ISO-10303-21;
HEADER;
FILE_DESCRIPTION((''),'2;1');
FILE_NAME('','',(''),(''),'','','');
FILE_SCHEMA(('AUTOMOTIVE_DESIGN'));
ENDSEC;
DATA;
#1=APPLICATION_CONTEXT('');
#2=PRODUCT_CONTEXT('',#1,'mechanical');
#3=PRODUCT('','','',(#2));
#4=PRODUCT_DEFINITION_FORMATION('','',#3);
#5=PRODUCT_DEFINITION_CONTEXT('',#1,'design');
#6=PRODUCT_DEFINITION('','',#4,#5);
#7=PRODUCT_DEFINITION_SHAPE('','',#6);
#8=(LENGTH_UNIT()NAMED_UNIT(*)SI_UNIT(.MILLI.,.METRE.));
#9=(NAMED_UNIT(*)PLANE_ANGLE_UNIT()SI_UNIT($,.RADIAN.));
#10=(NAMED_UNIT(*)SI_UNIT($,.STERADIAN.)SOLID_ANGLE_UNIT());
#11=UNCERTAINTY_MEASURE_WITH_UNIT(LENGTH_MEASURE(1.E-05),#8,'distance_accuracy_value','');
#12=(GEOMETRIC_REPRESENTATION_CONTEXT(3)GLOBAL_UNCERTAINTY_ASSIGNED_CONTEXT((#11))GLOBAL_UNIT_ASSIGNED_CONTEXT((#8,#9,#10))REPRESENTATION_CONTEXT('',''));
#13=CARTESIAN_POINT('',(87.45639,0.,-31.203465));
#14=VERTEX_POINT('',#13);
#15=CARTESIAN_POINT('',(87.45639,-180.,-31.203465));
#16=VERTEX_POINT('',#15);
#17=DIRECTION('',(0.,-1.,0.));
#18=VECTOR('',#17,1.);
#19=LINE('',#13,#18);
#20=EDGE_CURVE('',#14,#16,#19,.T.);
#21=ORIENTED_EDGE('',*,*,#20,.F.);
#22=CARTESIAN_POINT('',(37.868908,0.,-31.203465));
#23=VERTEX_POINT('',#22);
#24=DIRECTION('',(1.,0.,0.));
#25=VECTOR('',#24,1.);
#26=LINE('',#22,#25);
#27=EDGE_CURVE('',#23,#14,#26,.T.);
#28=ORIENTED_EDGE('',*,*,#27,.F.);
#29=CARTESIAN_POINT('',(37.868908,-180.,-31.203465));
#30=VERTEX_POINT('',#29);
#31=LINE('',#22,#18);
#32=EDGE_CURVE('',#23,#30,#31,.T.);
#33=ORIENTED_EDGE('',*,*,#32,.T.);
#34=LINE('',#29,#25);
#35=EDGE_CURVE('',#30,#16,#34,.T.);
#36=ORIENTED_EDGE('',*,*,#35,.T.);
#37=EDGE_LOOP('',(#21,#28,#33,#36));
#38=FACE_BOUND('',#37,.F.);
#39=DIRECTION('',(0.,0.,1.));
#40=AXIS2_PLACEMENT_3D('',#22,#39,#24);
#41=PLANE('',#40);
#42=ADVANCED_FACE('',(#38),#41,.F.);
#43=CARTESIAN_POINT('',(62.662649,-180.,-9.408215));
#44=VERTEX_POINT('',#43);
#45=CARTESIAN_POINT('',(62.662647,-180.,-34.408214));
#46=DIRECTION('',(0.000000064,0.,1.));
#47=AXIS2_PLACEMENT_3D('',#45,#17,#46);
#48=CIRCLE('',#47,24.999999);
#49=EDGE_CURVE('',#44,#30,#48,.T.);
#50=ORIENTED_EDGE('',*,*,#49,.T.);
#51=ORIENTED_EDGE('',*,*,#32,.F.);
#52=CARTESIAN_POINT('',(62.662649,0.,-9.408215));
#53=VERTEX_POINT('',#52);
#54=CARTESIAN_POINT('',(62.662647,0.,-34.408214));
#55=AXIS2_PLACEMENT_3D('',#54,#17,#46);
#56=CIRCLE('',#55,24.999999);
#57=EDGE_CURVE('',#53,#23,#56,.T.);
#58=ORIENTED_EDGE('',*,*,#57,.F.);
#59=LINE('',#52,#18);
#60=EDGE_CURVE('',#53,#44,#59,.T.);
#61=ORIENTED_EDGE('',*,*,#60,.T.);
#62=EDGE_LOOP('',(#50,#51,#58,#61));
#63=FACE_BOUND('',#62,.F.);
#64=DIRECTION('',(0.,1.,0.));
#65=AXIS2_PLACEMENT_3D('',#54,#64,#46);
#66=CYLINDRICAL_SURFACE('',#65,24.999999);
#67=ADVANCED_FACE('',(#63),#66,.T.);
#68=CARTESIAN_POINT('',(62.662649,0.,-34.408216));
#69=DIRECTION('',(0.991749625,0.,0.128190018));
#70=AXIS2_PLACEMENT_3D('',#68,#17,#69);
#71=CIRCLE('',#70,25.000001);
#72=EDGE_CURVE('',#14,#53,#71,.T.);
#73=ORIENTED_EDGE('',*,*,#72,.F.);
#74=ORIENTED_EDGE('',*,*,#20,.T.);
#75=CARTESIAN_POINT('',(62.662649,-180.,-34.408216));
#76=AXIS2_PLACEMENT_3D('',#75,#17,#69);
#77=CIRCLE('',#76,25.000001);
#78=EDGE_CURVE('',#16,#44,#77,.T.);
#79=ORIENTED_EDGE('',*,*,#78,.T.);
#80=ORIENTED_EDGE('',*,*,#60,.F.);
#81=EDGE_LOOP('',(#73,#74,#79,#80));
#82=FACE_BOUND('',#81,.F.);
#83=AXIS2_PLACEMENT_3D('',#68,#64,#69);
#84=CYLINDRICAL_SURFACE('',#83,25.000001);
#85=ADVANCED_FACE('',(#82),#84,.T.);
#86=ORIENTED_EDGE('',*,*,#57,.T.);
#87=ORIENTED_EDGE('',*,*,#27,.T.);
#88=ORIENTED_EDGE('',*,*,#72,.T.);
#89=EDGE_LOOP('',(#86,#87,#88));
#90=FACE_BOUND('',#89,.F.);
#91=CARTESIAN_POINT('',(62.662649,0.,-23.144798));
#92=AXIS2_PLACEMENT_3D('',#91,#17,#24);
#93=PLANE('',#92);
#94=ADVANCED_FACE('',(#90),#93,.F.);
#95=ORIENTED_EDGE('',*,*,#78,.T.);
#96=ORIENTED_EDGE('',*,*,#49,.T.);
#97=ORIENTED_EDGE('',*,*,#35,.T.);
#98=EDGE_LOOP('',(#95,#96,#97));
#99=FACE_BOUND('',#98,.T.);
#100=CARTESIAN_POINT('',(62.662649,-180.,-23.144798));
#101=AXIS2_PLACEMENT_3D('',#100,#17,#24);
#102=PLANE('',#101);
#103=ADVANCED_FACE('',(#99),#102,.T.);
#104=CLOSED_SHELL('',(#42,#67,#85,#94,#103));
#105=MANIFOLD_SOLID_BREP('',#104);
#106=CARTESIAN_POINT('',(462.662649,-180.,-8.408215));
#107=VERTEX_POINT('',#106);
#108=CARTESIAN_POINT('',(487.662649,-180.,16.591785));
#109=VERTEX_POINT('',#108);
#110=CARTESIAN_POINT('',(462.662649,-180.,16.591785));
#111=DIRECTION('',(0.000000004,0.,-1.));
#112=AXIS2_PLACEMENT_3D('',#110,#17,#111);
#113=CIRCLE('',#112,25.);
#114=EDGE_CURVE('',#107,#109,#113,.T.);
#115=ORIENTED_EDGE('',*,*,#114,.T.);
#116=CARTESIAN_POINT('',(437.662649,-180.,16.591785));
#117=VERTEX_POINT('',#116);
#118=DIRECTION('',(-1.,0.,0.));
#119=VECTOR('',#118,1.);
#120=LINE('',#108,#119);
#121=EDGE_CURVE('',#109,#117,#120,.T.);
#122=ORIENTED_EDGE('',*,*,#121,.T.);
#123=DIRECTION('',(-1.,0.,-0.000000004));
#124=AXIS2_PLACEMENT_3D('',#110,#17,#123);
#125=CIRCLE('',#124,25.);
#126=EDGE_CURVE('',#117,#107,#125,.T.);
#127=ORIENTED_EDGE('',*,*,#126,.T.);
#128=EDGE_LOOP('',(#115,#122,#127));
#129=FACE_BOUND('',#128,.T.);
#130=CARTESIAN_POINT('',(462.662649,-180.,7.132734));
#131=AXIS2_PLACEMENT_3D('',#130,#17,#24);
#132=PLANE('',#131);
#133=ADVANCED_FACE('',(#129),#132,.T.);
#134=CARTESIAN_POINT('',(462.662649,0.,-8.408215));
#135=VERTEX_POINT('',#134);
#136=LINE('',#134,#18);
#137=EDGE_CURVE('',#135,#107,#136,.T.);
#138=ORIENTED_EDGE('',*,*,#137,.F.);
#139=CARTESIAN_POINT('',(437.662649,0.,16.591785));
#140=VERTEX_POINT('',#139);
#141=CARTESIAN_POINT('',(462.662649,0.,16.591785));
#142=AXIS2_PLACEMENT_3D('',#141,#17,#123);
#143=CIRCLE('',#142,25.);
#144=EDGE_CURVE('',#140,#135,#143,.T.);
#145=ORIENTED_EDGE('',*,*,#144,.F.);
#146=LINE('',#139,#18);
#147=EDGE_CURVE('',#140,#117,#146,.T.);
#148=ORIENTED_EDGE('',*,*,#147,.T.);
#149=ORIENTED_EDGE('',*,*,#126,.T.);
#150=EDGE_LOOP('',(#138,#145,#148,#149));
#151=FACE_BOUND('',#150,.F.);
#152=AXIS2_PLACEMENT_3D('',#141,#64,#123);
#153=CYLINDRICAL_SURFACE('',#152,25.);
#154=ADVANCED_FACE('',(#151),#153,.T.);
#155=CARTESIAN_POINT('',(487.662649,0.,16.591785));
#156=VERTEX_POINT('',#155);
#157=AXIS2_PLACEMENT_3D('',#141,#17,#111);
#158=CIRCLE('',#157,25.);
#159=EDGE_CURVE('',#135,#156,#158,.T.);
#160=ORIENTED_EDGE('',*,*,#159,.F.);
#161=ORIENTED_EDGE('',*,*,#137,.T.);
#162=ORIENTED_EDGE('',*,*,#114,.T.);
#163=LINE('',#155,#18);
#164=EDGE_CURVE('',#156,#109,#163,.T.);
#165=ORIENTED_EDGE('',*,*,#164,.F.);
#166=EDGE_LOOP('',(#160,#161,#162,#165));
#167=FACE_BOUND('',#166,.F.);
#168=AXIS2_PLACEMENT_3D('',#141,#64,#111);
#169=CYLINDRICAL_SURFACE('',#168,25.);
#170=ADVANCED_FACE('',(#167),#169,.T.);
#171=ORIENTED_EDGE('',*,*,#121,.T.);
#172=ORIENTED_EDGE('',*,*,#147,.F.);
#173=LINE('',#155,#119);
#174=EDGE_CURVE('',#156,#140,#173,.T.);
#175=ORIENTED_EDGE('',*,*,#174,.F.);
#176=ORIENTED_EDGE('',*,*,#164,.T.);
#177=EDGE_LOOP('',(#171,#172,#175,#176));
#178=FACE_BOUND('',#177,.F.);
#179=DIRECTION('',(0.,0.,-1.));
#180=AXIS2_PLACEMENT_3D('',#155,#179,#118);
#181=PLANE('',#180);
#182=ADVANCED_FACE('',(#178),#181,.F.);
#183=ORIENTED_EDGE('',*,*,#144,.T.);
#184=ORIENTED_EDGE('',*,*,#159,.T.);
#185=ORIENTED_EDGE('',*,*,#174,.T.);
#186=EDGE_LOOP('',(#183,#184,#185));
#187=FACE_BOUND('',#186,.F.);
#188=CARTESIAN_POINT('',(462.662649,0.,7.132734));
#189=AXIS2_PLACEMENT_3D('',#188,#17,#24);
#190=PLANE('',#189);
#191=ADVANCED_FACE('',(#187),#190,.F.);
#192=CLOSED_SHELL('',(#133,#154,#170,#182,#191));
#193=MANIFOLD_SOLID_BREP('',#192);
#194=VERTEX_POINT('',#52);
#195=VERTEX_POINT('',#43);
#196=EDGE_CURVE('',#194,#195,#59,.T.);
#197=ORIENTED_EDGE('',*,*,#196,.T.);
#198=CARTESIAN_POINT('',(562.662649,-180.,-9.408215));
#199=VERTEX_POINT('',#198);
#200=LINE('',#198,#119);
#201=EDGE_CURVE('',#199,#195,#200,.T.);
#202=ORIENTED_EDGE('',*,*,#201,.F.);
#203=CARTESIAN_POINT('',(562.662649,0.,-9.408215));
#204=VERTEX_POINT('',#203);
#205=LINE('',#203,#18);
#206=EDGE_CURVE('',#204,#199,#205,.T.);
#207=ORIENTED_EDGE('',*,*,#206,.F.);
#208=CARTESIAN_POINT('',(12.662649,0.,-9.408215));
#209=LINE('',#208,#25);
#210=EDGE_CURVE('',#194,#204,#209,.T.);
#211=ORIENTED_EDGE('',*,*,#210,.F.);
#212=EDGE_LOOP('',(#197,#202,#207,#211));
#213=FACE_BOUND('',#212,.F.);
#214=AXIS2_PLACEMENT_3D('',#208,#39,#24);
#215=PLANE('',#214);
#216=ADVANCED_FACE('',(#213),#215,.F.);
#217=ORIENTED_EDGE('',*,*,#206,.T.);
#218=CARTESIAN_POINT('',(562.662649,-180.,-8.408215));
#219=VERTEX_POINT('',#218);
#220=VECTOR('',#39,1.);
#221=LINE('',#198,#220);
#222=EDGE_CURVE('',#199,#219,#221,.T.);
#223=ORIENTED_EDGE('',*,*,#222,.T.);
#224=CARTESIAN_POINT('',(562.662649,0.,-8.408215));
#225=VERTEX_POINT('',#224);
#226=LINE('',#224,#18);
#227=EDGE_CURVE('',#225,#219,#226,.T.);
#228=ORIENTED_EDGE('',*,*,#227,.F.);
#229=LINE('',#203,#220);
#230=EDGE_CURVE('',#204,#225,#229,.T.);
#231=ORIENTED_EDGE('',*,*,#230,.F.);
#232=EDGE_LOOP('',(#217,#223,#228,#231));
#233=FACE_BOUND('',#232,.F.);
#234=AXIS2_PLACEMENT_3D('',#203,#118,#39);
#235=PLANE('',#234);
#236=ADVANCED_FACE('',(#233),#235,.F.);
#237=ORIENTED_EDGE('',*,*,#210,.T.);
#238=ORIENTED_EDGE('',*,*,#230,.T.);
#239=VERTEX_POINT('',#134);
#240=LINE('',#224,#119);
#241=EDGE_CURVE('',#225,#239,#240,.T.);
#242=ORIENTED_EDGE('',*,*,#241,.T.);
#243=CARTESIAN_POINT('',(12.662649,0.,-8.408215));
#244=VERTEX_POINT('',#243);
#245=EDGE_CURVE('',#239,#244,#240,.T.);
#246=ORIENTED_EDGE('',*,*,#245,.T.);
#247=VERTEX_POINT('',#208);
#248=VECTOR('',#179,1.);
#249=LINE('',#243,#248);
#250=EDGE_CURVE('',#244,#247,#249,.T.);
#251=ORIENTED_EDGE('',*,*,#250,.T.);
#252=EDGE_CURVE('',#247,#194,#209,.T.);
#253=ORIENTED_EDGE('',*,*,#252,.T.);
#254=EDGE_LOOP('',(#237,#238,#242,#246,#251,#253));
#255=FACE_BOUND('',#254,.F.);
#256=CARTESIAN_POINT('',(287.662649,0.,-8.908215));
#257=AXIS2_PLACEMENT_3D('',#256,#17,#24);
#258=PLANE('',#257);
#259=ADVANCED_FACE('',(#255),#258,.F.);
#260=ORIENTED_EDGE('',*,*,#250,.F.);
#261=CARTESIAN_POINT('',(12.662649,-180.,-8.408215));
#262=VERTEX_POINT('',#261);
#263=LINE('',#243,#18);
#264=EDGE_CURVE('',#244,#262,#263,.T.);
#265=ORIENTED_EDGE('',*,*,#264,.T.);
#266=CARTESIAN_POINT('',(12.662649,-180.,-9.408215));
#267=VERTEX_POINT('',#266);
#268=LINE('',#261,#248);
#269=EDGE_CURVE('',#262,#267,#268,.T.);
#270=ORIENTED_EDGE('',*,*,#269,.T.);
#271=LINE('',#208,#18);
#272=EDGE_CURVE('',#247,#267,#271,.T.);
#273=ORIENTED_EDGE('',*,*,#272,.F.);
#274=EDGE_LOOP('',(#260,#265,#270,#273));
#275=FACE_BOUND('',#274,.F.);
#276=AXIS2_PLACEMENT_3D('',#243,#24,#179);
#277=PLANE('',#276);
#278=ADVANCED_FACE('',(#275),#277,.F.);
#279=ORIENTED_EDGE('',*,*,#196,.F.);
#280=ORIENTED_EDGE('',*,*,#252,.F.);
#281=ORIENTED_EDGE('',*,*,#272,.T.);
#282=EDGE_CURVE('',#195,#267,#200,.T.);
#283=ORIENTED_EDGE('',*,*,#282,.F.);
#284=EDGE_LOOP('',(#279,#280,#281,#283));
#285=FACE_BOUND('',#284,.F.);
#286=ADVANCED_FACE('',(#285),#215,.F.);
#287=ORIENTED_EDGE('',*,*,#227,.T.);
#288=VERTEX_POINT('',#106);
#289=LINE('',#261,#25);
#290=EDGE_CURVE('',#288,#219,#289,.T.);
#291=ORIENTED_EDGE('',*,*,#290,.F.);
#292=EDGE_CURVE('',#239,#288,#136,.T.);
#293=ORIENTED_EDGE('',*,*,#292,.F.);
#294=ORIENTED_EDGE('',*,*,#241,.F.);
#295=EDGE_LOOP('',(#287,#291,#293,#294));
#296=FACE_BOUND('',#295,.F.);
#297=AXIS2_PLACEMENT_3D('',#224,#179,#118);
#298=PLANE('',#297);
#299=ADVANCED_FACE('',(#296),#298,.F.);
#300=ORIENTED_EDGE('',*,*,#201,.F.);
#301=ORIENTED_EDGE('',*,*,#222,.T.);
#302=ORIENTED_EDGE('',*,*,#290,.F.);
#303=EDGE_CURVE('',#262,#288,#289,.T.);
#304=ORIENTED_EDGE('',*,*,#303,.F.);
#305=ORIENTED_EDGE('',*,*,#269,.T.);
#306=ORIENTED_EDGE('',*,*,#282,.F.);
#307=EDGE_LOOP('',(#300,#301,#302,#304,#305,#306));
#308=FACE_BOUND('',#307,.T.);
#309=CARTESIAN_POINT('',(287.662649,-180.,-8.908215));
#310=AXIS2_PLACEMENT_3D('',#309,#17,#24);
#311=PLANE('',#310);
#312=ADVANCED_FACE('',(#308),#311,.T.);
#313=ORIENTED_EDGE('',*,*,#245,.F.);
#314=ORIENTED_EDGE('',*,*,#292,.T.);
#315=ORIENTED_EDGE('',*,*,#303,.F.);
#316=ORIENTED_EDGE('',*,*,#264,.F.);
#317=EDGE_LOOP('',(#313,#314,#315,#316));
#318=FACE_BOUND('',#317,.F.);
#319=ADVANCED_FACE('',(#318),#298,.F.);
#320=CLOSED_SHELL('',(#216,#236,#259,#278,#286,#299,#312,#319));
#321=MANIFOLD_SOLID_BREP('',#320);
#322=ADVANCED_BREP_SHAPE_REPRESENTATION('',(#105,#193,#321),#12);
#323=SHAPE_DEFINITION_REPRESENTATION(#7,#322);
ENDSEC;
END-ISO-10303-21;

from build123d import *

# Parameters (mm, degrees)
F1_DEPTH = 180


with BuildPart() as f1:
    # F0 (on Front) → F1 (new body)
    with BuildSketch(Plane.XZ):
        with BuildLine():
            ThreePointArc((437.662649, 16.591785), (444.984979, -1.085884), (462.662649, -8.408215))
            ThreePointArc((462.662649, -8.408215), (480.340319, -1.085884), (487.662649, 16.591785))
            Line((487.662649, 16.591785), (437.662649, 16.591785))
        make_face()
        Polygon((12.662649, -8.408215), (12.662649, -9.408215), (62.662649, -9.408215), (562.662649, -9.408215), (562.662649, -8.408215), (462.662649, -8.408215), align=None)
        with BuildLine():
            ThreePointArc((87.45639, -31.203465), (79.168424, -15.63165), (62.662649, -9.408215))
            ThreePointArc((62.662649, -9.408215), (46.156873, -15.63165), (37.868908, -31.203465))
            Line((37.868908, -31.203465), (87.45639, -31.203465))
        make_face()
    extrude(amount=F1_DEPTH)


solid = f1.part
